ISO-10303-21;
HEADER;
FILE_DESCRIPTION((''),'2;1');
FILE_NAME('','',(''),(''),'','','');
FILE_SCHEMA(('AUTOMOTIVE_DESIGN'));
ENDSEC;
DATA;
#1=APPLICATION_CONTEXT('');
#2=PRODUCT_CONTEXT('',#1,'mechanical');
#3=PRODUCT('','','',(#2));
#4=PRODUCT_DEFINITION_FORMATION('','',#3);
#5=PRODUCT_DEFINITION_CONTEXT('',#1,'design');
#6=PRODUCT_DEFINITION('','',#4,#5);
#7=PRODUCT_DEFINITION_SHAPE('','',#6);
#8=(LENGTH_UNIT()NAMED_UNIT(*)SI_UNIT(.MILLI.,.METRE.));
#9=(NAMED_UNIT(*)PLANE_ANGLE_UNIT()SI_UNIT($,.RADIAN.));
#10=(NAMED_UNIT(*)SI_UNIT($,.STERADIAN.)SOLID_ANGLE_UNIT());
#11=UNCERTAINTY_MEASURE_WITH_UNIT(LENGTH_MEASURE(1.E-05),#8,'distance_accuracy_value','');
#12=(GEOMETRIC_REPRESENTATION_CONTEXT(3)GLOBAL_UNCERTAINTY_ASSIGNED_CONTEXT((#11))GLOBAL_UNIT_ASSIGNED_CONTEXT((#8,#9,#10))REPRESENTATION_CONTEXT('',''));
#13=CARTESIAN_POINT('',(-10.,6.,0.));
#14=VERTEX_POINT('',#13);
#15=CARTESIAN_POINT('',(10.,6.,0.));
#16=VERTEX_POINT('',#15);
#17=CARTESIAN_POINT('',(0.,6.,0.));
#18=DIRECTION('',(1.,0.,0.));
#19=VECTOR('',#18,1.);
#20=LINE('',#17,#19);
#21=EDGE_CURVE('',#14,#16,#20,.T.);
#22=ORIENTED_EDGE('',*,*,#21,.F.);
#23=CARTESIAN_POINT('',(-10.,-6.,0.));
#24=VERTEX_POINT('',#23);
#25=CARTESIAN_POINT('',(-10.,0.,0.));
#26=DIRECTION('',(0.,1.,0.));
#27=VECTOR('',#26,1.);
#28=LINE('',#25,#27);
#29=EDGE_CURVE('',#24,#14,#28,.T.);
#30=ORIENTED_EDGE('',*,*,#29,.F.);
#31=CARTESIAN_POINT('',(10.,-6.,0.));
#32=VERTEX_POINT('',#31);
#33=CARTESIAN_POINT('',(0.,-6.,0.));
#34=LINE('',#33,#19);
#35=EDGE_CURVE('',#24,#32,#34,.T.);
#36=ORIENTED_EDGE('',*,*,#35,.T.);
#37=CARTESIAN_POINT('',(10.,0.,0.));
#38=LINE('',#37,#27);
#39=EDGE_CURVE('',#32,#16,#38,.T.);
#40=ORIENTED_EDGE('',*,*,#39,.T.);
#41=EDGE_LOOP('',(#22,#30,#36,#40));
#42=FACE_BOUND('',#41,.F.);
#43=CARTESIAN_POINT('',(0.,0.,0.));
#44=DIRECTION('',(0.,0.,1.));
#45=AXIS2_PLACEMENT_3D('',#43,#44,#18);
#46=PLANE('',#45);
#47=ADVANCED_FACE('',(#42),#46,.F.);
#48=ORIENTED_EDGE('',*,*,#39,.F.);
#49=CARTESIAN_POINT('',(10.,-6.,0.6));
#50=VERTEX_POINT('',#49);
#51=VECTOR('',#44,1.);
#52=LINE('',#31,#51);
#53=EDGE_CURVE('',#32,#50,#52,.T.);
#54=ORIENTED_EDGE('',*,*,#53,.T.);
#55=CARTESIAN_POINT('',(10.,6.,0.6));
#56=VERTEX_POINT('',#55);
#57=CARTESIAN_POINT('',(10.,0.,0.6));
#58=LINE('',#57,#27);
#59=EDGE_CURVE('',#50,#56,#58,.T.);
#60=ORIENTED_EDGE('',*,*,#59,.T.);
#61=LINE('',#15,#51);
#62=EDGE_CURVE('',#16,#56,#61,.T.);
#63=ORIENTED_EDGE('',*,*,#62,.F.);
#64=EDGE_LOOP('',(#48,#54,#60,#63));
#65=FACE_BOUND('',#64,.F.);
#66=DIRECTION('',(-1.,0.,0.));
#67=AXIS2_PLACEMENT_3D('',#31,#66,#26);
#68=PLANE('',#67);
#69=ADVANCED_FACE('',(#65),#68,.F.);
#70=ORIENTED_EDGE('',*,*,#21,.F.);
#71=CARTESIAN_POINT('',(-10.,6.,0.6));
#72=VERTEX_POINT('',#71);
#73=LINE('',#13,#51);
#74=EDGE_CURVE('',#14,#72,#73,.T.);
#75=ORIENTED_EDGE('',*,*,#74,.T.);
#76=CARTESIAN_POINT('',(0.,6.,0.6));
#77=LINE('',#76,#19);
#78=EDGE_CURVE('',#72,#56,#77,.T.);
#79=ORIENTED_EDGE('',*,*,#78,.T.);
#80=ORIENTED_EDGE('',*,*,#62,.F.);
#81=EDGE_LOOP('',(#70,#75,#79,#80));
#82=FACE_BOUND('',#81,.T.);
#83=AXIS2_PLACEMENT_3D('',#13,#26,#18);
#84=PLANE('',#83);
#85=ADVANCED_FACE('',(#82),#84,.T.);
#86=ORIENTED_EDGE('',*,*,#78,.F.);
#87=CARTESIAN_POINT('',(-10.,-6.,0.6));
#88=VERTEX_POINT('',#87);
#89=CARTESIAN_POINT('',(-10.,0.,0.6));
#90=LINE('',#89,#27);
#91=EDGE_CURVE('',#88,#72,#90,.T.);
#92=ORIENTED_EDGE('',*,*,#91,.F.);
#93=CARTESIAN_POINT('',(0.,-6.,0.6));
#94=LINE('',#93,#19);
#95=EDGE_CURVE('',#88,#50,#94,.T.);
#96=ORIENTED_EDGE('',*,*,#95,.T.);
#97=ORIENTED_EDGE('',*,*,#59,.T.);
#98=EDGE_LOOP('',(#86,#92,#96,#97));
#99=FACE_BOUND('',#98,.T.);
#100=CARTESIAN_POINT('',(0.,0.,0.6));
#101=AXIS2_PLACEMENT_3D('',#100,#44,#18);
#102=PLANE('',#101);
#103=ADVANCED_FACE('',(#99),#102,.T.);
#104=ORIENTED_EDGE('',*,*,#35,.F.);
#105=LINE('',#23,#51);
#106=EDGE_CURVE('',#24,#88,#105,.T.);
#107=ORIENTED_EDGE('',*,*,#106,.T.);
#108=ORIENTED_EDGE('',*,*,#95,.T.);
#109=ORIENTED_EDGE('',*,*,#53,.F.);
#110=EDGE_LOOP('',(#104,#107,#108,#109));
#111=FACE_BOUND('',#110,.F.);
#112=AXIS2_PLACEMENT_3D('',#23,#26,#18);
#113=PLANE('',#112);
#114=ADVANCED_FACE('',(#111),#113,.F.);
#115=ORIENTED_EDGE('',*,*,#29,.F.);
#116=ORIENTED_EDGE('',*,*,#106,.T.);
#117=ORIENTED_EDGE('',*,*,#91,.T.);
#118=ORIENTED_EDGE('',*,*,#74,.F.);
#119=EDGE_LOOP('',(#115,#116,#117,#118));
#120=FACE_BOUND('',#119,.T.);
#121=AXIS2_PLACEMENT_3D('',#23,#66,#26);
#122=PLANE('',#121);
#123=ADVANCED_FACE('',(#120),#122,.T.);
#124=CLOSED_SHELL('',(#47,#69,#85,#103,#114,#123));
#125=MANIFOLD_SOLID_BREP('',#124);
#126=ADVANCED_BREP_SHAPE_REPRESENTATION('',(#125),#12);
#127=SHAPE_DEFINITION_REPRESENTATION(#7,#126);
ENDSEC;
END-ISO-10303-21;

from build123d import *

# Parameters (mm, degrees)
F0_W     = 20
F0_H     = 12
F0_W_2   = 10
F0_H_2   = 10
F1_DEPTH = 0.6


with BuildPart() as f1:
    # F0 (on Top) → F1 (new body)
    with BuildSketch(Plane.XY):
        Rectangle(F0_W, F0_H)
        with Locations((-4, 0)):
            Rectangle(F0_W_2, F0_H_2, mode=Mode.SUBTRACT)
        with Locations((-4, 0)):
            Rectangle(F0_W_2, F0_H_2)
    extrude(amount=F1_DEPTH)


solid = f1.part
